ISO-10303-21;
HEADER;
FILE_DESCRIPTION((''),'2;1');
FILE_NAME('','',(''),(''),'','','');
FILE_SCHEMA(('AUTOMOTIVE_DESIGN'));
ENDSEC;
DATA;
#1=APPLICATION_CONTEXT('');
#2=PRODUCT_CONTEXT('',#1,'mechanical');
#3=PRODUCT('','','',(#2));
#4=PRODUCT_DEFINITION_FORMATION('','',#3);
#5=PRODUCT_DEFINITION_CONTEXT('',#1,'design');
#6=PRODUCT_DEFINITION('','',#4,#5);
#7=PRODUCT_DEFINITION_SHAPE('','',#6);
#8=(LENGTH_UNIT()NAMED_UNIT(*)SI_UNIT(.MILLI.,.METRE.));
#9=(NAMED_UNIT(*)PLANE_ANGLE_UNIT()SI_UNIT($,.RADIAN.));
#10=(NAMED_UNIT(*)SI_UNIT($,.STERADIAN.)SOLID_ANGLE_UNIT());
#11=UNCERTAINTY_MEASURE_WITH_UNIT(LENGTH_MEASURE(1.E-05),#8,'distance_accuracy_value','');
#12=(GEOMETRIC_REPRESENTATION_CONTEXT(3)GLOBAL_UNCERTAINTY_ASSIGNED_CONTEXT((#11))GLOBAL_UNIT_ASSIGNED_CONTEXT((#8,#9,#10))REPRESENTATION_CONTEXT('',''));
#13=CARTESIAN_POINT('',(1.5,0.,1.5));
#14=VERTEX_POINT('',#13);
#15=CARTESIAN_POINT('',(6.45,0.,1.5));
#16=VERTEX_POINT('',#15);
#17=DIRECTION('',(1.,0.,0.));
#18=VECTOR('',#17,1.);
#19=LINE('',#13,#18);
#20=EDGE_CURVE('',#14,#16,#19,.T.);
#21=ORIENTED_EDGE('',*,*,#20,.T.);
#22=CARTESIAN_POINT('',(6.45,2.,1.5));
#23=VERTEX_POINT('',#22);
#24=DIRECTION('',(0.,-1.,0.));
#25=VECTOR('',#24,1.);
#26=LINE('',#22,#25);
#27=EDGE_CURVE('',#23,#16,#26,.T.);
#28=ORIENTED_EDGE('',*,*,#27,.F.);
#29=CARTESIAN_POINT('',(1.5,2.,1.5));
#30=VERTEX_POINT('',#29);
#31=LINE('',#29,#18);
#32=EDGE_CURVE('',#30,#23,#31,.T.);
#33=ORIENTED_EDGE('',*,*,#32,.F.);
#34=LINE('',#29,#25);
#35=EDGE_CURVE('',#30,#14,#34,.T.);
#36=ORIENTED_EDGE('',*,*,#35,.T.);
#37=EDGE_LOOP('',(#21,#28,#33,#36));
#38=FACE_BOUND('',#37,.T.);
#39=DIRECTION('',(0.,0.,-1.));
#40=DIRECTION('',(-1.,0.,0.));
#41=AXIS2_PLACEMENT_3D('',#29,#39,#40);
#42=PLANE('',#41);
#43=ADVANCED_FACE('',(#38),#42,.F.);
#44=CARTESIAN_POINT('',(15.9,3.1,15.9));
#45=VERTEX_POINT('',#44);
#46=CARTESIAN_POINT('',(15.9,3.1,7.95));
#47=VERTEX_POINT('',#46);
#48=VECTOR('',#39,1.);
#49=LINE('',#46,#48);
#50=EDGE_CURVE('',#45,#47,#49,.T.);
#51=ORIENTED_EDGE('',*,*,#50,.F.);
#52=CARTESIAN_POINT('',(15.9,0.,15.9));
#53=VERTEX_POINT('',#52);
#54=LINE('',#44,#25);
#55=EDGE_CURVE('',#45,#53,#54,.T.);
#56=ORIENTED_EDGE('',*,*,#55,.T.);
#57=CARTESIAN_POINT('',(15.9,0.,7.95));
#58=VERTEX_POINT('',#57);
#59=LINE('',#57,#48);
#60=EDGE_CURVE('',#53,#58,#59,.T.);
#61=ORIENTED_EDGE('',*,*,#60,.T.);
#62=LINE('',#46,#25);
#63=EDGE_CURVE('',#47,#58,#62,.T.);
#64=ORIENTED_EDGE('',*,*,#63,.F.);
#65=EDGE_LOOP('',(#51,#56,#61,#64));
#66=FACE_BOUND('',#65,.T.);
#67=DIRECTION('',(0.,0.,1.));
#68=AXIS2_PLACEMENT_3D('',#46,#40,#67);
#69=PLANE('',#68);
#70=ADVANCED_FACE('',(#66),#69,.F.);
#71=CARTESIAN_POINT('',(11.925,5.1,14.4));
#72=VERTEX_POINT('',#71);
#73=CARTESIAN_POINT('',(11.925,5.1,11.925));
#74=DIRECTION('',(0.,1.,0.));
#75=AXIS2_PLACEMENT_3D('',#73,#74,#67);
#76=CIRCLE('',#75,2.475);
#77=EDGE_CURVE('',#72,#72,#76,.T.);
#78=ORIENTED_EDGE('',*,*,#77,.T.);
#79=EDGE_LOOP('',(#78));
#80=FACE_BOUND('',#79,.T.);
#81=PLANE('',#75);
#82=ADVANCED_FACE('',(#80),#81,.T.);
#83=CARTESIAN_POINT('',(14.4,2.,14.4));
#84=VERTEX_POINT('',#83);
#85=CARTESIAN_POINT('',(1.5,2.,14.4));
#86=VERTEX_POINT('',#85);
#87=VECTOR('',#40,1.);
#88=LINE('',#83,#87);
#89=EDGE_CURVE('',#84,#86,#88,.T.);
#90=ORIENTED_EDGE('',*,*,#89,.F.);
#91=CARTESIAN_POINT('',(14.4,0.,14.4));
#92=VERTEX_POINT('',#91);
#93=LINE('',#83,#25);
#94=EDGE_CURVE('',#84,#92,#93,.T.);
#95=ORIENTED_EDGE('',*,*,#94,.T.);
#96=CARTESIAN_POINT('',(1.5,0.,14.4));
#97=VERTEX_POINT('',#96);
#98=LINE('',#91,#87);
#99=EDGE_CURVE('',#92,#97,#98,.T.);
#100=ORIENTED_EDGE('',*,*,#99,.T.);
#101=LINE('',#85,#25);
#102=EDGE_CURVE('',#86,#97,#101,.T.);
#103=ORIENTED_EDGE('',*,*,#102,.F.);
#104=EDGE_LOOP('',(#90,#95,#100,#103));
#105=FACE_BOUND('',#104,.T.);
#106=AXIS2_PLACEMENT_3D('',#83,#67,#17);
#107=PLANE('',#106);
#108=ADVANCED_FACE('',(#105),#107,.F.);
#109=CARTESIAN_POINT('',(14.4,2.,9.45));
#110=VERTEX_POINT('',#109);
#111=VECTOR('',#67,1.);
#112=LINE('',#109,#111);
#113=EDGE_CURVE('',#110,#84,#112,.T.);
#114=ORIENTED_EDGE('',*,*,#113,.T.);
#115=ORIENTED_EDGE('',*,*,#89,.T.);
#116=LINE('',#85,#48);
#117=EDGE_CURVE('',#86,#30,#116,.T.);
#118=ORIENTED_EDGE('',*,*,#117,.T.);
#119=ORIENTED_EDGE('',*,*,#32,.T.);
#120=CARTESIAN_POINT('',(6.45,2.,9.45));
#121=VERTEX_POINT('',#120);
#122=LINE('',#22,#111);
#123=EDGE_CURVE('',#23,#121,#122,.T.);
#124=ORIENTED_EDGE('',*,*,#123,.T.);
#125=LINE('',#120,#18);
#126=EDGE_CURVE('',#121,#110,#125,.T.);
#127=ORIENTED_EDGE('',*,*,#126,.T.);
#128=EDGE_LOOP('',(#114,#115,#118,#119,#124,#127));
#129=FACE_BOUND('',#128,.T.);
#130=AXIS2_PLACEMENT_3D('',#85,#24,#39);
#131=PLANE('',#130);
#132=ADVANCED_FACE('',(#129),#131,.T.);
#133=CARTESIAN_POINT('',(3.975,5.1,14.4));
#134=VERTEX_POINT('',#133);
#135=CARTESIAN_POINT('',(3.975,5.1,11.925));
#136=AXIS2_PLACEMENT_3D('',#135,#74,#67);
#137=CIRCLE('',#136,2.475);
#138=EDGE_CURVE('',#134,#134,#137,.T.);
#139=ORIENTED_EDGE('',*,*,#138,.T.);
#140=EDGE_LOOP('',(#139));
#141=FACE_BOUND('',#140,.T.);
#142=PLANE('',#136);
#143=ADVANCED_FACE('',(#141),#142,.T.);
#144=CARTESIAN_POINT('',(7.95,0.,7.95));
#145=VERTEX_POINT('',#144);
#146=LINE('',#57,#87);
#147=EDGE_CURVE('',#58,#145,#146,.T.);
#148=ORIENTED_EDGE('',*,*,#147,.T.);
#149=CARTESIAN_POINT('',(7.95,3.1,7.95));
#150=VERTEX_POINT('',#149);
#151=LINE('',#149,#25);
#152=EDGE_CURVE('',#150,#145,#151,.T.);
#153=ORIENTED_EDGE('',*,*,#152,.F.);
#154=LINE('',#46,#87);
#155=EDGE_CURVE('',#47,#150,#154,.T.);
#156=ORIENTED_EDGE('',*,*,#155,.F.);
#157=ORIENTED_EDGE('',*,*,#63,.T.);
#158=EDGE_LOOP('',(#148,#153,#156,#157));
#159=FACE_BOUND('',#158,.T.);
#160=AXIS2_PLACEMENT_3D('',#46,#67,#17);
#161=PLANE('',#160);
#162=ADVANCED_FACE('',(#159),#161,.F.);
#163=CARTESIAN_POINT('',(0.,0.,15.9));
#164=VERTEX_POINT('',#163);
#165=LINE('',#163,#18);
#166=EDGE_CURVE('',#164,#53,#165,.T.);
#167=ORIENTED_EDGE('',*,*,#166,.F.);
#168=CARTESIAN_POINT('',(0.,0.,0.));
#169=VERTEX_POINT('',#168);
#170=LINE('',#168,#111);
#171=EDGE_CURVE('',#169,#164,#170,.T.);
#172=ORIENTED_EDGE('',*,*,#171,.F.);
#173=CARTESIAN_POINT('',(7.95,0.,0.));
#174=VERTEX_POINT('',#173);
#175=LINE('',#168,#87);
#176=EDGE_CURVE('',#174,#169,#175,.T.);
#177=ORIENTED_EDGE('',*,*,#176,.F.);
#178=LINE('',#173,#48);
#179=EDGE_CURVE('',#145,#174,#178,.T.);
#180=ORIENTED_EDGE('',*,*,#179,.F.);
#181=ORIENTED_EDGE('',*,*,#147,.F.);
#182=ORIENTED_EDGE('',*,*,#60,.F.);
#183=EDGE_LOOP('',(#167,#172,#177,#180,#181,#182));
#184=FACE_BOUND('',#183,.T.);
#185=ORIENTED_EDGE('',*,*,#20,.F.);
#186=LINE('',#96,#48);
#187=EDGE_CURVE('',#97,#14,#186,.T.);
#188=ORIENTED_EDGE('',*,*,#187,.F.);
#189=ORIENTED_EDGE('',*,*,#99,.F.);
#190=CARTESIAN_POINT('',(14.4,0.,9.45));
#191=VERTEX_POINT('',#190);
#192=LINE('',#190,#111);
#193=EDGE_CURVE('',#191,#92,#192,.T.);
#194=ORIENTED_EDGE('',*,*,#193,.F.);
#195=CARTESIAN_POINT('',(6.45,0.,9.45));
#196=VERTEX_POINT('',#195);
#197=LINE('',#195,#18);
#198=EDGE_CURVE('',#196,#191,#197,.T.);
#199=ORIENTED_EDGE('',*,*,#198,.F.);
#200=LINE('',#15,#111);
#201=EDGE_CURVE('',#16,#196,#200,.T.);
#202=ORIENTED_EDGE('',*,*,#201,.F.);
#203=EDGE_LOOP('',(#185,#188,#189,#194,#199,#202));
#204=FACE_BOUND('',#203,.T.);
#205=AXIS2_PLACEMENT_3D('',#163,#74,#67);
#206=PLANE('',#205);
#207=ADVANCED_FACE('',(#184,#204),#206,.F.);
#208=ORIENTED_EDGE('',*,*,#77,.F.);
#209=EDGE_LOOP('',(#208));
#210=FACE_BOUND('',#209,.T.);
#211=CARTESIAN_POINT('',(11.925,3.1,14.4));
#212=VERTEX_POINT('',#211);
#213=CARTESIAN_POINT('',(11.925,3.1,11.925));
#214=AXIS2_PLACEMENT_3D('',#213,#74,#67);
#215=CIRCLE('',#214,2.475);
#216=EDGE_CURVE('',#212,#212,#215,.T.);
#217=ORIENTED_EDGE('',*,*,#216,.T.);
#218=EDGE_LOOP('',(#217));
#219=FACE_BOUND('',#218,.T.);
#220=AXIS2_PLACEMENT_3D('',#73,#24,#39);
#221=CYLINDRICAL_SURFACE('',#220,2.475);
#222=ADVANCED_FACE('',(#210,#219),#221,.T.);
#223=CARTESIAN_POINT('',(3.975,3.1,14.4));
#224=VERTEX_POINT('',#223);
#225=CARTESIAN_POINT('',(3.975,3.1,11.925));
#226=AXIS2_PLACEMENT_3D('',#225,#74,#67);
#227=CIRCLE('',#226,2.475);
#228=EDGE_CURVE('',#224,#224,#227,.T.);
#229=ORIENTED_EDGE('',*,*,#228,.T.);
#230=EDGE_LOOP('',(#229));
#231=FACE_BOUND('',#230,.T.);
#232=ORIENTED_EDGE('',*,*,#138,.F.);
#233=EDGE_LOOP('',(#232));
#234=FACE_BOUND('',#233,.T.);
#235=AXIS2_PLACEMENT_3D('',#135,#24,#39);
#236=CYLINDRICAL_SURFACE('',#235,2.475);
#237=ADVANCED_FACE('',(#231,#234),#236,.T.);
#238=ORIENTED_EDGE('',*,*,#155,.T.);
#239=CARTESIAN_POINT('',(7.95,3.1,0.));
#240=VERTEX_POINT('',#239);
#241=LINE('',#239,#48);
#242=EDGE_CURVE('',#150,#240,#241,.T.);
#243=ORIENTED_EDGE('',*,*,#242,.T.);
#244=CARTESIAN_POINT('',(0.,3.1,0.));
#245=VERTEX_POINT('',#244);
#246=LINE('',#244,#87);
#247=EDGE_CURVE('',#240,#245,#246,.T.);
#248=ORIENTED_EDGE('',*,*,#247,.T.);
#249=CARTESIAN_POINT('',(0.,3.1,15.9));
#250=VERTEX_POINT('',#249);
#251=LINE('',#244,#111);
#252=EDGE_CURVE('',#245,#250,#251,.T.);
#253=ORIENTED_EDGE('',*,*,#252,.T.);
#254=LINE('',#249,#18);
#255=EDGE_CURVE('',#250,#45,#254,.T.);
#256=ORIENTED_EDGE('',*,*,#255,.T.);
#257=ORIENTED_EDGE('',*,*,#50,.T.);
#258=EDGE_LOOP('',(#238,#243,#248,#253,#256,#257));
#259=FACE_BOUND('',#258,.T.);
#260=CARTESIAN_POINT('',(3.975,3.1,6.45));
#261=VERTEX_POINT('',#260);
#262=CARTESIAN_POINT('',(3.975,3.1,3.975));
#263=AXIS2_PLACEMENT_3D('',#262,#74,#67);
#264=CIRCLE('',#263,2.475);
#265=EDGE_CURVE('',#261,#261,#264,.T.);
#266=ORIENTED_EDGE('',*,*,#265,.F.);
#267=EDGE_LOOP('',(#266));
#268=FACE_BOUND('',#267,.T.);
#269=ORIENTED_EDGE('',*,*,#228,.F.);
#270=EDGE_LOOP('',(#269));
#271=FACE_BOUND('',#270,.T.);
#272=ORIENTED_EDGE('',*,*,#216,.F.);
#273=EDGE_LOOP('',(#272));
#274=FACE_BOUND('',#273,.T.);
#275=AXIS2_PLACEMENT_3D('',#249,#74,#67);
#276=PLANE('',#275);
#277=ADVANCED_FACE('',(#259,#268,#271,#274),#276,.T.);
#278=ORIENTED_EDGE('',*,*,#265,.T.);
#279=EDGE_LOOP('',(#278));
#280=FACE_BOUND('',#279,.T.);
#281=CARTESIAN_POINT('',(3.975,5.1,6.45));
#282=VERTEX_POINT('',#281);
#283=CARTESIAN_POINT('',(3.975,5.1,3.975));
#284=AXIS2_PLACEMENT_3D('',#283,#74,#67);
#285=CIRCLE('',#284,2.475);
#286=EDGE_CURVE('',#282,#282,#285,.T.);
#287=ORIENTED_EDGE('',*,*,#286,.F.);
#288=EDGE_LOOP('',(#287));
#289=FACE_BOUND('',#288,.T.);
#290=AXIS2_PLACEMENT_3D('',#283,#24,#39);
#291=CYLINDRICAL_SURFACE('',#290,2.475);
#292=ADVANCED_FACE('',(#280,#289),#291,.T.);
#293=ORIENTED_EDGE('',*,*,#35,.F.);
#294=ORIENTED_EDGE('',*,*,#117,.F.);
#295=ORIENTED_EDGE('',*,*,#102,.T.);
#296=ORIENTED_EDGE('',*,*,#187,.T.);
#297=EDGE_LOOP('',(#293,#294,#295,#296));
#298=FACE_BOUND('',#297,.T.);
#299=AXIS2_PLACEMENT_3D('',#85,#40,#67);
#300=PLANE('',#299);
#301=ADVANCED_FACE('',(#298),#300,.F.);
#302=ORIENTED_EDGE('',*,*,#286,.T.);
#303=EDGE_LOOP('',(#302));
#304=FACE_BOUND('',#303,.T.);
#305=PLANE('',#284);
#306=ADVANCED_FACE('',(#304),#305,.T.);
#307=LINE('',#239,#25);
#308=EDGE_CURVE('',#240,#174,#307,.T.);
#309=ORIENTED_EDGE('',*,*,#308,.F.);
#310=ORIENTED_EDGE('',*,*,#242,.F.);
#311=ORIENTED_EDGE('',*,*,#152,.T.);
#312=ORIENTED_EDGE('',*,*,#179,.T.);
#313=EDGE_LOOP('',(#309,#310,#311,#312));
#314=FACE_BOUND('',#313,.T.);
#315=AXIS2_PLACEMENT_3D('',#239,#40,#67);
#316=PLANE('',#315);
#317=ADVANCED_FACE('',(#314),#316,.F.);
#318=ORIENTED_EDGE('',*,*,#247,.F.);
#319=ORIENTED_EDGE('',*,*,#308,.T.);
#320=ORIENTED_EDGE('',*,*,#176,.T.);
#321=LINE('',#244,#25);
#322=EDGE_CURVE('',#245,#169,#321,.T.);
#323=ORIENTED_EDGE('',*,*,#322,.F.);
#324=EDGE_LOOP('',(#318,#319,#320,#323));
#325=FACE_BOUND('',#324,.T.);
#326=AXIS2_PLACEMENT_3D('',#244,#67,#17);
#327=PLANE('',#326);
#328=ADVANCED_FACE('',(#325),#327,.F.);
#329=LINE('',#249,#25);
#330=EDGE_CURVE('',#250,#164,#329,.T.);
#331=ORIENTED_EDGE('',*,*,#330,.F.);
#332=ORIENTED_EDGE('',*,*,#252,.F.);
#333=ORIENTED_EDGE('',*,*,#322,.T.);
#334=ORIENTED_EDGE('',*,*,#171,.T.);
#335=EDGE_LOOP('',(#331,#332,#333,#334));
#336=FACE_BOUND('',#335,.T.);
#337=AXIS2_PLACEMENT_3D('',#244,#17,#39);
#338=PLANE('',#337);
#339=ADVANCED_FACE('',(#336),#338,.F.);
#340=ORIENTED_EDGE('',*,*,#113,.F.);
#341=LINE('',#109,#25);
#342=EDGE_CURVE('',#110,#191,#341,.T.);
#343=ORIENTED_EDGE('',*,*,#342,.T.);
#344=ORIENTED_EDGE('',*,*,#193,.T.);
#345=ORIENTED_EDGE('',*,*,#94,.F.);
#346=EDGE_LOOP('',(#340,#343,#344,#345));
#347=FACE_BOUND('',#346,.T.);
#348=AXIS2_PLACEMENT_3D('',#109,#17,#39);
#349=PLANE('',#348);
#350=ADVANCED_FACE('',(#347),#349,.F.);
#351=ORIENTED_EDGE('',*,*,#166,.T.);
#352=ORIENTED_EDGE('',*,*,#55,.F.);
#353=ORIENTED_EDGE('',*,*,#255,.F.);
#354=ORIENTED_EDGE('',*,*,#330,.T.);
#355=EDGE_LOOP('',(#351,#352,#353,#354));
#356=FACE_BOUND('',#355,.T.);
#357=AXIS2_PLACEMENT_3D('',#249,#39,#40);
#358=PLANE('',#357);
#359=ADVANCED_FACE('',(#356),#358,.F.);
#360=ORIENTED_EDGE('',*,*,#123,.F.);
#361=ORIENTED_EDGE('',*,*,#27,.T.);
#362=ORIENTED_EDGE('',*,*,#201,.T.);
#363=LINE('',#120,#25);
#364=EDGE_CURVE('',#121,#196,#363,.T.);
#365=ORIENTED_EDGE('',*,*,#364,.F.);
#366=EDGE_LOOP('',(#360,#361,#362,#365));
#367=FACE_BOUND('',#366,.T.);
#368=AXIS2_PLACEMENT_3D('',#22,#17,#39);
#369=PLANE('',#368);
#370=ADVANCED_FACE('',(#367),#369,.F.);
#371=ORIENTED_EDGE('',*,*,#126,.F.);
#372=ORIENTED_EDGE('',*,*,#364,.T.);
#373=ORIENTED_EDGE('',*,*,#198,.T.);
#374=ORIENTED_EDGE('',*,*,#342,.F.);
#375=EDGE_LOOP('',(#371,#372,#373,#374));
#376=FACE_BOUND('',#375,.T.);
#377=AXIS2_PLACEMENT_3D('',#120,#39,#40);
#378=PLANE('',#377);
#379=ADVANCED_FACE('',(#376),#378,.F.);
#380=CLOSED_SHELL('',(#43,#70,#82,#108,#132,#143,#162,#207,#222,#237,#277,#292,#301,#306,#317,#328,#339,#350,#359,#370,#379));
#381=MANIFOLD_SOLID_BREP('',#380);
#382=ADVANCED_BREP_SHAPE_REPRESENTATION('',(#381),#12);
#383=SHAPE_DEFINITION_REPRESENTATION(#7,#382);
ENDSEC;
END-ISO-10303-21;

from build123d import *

# Parameters (mm, degrees)
BOSS_EXTRUDE1_DEPTH = 3.1
SKETCH2_R           = 2.475
BOSS_EXTRUDE2_DEPTH = 2
CUT_EXTRUDE1_DEPTH  = 2


with BuildPart() as part:
    # Sketch1 → Boss-Extrude1 (new body)
    with BuildSketch(Plane(origin=(0, 0, 0), x_dir=(1, 0, 0), z_dir=(0, 1, 0))):
        Polygon((0, 0), (7.95, 0), (7.95, -7.95), (15.9, -7.95), (15.9, -15.9), (0, -15.9), align=None)
    extrude(amount=BOSS_EXTRUDE1_DEPTH)

    # Sketch2 → Boss-Extrude2 (add)
    with BuildSketch(Plane(origin=(0, 3.1, 0), x_dir=(1, 0, 0), z_dir=(0, 1, 0))):
        with Locations(Location((3.975, -3.975, 0), (0, 0, 270))):
            Circle(SKETCH2_R)
        with Locations(Location((3.975, -11.925, 0), (0, 0, 270))):
            Circle(SKETCH2_R)
        with Locations(Location((11.925, -11.925, 0), (0, 0, 270))):
            Circle(SKETCH2_R)
    extrude(amount=BOSS_EXTRUDE2_DEPTH)

    # Sketch3 → Cut-Extrude1 (cut)
    with BuildSketch(Plane.XZ):
        Polygon((1.5, 14.4), (1.5, 1.5), (6.45, 1.5), (6.45, 9.45), (14.4, 9.45), (14.4, 14.4), align=None)
    extrude(amount=-CUT_EXTRUDE1_DEPTH, mode=Mode.SUBTRACT)


solid = part.part
